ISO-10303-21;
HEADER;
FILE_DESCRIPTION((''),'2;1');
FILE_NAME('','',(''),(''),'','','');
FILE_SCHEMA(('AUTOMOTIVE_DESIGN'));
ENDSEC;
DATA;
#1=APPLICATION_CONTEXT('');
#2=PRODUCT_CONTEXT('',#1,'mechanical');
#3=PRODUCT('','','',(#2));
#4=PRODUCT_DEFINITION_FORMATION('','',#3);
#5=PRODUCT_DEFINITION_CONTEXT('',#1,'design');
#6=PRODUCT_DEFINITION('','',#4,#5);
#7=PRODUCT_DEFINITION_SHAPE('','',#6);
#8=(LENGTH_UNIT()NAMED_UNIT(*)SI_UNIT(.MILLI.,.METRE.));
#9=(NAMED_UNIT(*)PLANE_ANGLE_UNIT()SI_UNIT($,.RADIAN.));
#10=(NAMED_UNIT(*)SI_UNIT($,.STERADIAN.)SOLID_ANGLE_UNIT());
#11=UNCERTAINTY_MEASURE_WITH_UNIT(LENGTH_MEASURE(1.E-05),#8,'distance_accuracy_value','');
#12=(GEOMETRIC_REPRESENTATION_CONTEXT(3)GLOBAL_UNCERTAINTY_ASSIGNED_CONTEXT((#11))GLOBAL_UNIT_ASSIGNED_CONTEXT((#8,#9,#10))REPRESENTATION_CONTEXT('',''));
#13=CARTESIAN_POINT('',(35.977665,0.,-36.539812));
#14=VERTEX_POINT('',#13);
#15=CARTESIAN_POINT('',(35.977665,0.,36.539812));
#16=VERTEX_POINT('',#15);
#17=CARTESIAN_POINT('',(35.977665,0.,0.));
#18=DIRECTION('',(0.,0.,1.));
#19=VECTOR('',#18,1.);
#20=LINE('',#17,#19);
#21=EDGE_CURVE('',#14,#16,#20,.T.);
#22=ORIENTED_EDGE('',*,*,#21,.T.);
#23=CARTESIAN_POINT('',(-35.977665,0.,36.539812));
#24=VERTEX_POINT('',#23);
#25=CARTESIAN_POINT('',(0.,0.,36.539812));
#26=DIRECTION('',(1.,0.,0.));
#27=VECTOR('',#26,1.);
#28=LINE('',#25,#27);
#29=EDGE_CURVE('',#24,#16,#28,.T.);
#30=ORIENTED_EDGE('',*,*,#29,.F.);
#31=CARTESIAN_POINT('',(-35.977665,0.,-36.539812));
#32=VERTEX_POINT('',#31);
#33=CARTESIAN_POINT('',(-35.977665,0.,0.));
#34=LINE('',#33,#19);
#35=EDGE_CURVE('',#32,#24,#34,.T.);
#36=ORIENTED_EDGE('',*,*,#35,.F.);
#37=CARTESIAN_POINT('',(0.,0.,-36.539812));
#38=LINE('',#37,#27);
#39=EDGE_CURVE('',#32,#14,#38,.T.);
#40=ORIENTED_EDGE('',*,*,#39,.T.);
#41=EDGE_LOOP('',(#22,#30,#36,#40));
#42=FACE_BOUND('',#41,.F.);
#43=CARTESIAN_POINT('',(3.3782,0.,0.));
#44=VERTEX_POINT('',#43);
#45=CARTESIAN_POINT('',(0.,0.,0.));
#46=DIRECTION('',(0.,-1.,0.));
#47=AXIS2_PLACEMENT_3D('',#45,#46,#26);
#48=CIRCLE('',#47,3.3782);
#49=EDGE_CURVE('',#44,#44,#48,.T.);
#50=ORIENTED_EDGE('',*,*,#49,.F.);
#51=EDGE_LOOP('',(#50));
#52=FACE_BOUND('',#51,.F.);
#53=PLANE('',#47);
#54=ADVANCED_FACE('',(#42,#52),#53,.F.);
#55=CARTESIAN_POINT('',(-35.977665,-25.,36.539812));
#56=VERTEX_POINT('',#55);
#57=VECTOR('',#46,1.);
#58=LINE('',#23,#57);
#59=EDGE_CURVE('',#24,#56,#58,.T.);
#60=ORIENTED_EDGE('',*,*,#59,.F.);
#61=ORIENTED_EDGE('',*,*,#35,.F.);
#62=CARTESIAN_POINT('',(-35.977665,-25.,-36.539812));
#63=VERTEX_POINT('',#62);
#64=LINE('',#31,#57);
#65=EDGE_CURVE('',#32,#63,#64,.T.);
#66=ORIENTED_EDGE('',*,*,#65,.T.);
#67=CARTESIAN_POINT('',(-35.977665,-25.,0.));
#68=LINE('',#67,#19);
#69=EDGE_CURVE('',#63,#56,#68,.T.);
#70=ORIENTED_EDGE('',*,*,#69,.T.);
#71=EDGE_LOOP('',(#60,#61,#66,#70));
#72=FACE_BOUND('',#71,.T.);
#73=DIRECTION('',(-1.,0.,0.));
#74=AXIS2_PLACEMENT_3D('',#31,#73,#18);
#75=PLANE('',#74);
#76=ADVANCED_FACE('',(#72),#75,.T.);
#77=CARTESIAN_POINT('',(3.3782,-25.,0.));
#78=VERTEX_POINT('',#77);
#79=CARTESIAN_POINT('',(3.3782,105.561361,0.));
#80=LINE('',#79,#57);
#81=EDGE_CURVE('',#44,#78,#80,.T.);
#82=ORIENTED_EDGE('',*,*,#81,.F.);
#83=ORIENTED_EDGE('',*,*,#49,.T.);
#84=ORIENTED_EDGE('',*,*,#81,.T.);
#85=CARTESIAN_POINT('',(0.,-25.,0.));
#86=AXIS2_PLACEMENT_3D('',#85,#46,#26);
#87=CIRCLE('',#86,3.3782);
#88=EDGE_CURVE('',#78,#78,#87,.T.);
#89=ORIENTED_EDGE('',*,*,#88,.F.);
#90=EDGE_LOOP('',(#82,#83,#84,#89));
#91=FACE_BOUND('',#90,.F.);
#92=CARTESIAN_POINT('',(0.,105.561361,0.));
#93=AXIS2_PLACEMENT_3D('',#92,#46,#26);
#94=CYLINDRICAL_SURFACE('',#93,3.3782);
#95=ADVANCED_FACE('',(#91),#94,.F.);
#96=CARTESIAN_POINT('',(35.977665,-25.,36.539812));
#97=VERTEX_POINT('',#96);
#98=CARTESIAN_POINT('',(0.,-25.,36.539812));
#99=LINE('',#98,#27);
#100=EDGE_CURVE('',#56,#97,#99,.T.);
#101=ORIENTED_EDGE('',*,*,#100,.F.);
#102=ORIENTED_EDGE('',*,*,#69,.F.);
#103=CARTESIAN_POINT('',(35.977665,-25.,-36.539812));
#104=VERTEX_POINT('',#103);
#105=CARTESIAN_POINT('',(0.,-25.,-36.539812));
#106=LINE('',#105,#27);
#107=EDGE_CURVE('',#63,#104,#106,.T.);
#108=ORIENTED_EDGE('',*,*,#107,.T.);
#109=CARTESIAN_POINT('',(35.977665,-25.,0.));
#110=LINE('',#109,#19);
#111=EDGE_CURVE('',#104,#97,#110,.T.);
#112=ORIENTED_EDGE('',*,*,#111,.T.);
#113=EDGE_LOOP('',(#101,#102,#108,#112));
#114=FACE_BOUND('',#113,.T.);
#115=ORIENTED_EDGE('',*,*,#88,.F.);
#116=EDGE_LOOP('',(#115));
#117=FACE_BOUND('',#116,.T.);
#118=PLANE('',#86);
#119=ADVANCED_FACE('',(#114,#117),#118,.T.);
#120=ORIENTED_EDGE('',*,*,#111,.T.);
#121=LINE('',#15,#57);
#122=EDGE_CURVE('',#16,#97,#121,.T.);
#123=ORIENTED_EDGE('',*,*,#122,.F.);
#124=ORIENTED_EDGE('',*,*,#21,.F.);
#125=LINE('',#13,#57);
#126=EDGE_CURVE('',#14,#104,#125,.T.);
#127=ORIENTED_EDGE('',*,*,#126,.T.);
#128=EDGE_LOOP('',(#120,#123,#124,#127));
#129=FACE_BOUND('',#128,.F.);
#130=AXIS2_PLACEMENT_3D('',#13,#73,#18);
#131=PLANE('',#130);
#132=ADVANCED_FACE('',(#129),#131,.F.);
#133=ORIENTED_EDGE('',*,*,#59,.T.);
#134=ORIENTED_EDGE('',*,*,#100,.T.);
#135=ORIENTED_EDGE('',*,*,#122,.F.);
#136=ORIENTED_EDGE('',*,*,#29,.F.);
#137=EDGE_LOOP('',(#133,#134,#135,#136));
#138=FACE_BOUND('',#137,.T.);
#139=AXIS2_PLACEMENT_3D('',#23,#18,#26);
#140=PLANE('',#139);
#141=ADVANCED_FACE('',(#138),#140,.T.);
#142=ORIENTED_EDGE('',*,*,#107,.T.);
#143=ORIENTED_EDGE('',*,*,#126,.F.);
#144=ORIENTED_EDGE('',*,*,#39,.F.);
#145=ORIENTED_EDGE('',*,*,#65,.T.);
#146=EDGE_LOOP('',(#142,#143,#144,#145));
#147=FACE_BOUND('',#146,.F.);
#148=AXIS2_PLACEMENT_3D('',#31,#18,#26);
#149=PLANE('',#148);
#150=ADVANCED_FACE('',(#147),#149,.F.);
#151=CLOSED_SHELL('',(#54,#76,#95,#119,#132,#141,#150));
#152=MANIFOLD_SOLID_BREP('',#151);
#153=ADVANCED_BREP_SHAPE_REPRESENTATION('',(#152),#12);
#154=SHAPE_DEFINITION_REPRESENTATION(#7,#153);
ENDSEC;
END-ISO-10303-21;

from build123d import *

# Parameters (mm, degrees)
F0_W     = 71.9553306699
F0_H     = 73.079623282
F1_DEPTH = 25
F3_D     = 6.7564


with BuildPart() as f1:
    # F0 (on Front) → F1 (new body)
    with BuildSketch(Plane.XZ):
        Rectangle(F0_W, F0_H)
    extrude(amount=F1_DEPTH)

    # F3 (through all)
    with Locations(Plane(origin=(0, 0, 0), x_dir=(-1, 0, 0), z_dir=(0, 1, 0))):
        with Locations((0, 0)):
            Hole(F3_D / 2)


solid = f1.part
